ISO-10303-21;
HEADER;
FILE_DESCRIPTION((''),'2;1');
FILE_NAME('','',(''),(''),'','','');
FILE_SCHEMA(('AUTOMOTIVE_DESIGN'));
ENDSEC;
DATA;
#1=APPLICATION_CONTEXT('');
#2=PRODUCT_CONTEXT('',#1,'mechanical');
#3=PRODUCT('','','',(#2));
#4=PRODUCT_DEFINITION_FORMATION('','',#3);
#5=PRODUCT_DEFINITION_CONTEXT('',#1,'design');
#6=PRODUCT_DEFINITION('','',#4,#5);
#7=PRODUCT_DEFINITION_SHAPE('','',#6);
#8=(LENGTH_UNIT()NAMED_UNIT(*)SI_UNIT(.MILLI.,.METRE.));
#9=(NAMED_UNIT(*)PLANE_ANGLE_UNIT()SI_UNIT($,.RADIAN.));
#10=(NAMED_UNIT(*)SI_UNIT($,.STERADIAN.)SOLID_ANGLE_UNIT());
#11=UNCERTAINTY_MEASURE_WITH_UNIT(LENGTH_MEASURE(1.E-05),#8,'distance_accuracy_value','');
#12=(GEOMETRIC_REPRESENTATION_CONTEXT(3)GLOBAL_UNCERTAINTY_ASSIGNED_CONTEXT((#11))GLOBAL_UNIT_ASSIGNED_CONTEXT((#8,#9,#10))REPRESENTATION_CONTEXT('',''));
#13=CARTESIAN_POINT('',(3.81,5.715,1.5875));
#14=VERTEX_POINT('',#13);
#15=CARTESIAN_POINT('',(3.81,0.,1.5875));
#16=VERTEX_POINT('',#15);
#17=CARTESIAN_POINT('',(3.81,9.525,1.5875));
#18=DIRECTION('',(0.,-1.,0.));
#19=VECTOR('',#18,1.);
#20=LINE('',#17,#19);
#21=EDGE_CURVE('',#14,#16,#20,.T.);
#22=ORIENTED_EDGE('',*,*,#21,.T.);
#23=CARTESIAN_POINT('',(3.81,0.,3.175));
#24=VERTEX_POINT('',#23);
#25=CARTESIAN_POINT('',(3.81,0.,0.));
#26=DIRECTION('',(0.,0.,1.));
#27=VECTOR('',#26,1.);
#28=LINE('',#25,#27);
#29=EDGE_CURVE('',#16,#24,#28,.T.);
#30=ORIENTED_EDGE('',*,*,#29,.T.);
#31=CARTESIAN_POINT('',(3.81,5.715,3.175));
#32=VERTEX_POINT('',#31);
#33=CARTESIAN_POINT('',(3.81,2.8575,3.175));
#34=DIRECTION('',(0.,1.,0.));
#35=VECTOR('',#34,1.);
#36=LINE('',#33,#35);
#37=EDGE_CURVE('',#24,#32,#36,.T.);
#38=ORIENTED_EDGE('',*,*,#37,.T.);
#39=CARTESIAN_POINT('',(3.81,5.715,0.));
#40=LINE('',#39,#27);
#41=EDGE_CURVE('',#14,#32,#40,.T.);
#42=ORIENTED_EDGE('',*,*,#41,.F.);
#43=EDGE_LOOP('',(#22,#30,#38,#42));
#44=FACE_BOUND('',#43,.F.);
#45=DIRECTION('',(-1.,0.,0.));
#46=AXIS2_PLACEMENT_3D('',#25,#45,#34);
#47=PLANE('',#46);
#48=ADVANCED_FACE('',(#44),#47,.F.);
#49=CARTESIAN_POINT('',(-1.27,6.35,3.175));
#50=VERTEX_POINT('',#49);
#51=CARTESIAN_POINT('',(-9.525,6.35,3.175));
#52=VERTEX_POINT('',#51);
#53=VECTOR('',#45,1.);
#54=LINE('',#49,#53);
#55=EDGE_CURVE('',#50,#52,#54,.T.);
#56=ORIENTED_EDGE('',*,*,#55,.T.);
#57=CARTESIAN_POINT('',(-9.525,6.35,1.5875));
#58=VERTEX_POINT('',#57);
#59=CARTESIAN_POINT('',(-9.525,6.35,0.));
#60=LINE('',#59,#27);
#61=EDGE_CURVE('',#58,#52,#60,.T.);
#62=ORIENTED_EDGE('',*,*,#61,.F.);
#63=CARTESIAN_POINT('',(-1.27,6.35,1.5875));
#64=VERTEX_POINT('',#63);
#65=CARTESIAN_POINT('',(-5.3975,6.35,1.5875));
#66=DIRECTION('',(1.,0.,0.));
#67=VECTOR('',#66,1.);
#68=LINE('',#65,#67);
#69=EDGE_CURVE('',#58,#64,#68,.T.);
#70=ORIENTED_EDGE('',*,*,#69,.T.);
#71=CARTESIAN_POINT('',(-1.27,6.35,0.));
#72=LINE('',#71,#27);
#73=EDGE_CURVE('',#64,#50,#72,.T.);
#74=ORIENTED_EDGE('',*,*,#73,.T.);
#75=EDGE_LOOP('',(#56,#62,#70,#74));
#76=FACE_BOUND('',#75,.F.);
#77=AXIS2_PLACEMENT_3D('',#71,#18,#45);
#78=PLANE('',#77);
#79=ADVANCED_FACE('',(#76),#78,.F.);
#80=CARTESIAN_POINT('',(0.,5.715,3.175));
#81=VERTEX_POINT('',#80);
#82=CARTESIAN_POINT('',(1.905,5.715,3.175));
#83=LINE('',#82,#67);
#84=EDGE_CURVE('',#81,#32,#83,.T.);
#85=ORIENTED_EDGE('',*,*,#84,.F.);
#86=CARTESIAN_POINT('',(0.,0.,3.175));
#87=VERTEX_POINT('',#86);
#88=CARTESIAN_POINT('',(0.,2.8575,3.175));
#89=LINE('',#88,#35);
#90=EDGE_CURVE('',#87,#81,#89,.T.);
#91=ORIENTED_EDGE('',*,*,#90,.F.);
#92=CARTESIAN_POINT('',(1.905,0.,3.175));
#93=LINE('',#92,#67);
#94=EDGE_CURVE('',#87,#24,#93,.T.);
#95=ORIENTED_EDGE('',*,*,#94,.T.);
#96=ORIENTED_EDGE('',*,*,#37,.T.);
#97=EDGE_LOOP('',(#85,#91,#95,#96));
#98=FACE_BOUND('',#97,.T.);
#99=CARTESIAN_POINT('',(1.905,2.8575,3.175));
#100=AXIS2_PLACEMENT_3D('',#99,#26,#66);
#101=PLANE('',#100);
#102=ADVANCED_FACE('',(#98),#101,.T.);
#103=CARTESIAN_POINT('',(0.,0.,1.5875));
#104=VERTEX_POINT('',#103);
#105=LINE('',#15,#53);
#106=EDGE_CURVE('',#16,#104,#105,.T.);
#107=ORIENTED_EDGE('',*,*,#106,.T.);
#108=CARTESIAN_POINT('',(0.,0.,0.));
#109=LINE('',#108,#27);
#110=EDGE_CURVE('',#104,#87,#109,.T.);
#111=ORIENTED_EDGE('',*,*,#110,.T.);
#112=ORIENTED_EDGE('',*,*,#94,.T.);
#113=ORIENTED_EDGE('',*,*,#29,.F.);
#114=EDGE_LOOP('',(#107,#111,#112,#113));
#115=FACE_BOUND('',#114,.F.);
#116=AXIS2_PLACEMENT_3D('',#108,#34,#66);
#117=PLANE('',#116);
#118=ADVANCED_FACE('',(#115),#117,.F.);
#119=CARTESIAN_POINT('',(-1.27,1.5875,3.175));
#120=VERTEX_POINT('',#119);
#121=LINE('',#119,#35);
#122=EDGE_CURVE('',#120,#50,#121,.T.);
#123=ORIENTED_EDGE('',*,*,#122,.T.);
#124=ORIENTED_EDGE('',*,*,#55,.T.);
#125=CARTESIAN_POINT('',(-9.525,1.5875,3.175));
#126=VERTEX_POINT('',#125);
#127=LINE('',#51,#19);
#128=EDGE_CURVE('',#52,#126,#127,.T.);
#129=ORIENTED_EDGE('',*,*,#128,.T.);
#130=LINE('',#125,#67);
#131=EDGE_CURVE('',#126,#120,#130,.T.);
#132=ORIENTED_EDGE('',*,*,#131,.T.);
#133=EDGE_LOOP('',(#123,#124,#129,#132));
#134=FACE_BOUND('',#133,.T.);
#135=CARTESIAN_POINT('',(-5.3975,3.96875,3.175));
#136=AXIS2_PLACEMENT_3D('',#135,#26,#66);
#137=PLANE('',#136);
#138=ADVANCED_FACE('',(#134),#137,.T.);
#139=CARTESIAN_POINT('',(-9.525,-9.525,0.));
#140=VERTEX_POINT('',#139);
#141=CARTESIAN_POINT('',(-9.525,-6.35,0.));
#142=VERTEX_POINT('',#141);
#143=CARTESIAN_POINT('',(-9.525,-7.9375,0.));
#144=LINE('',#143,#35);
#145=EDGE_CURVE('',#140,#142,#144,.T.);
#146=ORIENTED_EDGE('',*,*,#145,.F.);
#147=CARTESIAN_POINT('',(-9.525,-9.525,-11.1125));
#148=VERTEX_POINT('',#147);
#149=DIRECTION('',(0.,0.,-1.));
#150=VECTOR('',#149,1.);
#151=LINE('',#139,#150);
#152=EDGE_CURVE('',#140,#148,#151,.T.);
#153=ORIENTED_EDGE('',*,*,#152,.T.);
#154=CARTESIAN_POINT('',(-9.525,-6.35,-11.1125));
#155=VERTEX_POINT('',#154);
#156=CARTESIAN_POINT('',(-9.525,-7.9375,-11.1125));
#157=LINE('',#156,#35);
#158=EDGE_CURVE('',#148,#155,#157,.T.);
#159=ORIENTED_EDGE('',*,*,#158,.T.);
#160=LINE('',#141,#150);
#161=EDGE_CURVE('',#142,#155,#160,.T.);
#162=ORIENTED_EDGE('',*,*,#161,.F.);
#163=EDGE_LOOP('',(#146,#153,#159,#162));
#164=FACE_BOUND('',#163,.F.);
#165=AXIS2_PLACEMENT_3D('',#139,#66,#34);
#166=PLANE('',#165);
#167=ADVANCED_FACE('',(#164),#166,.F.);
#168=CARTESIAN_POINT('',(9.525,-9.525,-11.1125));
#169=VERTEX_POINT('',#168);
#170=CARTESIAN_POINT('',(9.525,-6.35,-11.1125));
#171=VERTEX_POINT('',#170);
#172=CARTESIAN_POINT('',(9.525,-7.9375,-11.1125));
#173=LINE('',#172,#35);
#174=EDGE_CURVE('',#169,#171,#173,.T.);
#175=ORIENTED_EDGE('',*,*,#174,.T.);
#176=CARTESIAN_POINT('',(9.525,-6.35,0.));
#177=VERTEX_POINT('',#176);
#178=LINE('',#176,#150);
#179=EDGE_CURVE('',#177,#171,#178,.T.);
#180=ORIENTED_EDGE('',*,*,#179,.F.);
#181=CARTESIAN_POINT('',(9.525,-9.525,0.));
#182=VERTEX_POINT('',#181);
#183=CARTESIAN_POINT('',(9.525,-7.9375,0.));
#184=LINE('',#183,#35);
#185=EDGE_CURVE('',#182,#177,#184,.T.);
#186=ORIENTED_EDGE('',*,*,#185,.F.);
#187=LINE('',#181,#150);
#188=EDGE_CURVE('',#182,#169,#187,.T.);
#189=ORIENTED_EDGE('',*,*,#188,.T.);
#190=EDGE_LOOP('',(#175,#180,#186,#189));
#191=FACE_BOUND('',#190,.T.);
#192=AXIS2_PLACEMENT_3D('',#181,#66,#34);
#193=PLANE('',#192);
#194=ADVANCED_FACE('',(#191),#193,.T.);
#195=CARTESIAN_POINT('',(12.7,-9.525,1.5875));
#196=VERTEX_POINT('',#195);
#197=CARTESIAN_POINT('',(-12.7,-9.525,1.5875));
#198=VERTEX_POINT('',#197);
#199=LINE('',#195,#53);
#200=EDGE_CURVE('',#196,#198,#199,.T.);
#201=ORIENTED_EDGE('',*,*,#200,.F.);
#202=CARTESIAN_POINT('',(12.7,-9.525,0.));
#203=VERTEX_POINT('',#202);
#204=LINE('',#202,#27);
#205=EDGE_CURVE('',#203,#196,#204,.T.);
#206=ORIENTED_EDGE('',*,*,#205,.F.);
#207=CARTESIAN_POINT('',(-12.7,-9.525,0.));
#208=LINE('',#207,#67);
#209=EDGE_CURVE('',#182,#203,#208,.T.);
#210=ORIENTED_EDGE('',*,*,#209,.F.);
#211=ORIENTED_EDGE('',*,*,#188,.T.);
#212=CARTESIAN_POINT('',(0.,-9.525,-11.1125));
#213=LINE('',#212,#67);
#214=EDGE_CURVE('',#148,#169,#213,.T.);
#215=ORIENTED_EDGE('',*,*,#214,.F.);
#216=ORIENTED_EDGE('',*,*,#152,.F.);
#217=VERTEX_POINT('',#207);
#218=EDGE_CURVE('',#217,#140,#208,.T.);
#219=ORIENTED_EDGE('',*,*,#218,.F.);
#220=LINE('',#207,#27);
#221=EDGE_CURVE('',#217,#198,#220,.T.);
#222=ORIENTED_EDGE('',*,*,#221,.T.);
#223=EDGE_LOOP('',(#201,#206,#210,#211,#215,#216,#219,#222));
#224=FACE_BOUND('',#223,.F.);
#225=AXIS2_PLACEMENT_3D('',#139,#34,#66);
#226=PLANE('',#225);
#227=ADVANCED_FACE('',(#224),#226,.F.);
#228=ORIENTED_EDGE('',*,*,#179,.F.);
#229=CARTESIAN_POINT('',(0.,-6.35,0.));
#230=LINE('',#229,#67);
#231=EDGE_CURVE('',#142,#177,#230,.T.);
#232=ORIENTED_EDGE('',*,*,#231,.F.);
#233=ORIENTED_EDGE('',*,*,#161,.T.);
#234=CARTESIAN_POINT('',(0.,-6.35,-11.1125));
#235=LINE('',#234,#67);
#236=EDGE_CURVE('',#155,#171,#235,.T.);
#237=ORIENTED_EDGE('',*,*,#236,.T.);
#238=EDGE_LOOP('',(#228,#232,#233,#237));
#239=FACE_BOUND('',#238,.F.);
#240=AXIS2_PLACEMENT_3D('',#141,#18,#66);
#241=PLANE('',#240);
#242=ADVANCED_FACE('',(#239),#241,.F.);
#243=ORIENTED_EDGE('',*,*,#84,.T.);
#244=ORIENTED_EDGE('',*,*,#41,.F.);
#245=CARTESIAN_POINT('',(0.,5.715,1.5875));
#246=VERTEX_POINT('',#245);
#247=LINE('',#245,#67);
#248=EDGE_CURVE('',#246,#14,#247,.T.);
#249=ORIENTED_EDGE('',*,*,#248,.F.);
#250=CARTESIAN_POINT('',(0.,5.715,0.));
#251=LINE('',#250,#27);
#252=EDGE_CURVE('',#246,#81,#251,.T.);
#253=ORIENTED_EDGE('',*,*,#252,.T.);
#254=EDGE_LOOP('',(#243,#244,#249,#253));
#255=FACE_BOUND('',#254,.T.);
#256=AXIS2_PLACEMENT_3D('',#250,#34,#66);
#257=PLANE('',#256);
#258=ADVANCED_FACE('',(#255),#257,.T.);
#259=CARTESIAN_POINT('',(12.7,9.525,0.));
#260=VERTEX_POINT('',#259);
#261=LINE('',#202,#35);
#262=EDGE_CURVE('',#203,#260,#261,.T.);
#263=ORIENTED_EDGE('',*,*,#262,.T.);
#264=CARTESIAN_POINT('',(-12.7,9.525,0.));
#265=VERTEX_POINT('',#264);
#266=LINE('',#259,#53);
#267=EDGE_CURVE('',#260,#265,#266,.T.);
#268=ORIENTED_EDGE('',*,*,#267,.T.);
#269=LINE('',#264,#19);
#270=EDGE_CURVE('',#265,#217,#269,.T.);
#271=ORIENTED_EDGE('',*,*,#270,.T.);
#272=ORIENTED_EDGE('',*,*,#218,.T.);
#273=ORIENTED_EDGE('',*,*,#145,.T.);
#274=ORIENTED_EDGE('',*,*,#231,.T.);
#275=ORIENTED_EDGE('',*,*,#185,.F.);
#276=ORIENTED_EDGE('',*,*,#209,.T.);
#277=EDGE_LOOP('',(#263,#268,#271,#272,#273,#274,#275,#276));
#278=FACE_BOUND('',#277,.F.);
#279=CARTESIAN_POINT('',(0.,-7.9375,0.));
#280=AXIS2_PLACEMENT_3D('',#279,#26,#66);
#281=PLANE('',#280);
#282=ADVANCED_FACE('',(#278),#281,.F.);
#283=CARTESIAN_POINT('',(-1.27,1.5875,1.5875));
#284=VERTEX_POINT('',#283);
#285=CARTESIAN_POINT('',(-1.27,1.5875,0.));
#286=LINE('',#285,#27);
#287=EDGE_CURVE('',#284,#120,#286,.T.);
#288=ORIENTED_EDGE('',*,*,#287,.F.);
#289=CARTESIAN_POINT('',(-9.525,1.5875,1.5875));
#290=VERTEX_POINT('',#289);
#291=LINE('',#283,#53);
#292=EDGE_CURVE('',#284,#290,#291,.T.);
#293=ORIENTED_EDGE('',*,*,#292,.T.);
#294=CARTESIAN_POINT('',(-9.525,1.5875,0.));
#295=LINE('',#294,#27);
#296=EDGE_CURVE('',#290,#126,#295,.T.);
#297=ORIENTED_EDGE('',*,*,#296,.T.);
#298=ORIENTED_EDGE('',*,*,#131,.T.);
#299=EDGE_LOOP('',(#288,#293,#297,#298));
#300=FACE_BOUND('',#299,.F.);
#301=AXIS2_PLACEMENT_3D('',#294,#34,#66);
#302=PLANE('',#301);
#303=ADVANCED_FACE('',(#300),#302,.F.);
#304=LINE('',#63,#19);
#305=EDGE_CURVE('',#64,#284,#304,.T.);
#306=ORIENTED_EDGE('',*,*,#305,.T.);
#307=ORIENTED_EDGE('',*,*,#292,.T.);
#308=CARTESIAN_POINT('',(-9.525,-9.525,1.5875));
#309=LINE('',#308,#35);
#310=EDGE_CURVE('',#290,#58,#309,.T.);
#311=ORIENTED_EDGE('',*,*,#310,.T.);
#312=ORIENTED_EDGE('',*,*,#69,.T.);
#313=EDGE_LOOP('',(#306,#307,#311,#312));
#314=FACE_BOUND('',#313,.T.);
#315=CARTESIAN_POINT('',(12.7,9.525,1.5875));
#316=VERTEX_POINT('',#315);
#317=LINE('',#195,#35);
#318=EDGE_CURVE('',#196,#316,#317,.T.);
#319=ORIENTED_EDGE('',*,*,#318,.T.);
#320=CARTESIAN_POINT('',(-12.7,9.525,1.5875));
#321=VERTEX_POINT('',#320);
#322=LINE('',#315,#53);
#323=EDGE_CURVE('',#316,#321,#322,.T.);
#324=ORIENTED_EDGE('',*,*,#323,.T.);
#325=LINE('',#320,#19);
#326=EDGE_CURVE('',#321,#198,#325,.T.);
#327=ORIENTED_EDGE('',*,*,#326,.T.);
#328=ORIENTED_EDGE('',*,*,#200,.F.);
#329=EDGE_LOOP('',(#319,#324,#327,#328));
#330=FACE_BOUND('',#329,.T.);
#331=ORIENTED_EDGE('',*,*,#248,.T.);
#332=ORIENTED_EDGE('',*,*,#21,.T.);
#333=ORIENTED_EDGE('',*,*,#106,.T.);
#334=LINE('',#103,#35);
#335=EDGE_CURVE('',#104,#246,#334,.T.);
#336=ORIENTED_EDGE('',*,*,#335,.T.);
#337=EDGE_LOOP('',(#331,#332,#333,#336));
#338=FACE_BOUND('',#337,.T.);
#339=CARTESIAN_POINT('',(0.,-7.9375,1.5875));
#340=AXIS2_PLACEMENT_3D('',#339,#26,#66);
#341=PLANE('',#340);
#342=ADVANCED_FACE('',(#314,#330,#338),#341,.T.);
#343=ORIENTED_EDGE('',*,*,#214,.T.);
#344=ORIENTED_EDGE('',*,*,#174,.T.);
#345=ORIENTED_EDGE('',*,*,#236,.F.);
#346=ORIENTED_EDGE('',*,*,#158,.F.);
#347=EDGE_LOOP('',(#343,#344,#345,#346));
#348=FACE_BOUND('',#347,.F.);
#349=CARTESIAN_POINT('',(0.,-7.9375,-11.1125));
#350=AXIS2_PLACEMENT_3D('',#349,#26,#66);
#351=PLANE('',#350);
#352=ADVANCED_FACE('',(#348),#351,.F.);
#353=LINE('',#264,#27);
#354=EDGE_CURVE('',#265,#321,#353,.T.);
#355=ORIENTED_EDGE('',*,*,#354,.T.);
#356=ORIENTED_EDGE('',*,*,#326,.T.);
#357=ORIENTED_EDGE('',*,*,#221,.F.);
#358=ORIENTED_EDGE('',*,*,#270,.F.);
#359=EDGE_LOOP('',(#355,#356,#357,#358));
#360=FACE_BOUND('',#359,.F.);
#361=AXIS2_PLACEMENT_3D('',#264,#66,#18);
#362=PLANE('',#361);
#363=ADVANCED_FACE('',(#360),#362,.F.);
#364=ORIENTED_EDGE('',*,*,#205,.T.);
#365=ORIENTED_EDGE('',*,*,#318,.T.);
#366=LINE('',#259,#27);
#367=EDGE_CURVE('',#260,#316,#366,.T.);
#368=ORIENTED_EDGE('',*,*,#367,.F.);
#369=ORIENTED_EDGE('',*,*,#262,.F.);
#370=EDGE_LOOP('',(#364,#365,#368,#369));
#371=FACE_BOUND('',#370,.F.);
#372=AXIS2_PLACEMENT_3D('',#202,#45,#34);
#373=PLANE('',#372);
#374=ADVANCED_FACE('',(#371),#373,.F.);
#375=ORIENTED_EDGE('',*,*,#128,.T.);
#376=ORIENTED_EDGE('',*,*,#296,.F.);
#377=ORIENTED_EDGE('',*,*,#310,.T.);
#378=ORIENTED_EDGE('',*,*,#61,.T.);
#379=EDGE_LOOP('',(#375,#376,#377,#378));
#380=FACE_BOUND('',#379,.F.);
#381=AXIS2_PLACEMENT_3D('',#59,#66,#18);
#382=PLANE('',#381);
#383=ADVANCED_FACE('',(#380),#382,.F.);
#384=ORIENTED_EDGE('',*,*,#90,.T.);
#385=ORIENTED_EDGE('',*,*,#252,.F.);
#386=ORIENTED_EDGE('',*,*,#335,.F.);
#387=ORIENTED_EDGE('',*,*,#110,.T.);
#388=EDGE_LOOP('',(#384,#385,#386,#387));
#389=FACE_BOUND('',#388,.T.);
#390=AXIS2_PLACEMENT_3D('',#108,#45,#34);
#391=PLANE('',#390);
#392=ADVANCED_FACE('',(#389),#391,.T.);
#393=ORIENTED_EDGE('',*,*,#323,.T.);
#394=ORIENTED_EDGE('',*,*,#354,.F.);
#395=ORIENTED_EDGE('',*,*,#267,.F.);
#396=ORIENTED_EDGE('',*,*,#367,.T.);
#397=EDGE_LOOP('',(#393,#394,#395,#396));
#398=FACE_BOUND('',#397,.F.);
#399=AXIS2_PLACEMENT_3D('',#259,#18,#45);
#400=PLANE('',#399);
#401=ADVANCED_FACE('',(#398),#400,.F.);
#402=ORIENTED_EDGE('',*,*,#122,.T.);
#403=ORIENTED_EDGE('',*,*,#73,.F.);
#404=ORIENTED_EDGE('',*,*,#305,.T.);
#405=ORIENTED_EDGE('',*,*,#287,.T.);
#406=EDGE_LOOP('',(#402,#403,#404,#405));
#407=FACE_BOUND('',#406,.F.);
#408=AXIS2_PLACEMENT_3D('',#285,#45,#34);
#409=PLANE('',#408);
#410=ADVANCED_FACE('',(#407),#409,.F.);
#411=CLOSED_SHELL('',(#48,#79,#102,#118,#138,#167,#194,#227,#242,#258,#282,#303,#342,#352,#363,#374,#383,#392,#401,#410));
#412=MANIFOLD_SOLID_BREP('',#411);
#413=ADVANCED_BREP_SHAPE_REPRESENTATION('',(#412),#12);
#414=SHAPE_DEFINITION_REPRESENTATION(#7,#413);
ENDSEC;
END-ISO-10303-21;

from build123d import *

# Parameters (mm, degrees)
F0_W     = 3.175
F0_H     = 3.175
F0_W_2   = 8.255
F0_H_2   = 15.875
F1_DEPTH = 1.5875
F0_W_3   = 3.81
F0_H_3   = 5.715
F2_DEPTH = 3.175
F0_W_4   = 19.05
F3_DEPTH = 1.5875
F4_DEPTH = 11.1125


with BuildPart() as f1:
    # F0 (on Top) → F1 (new body)
    with BuildSketch(Plane.XY):
        with Locations((-11.1125, -7.9375)):
            Rectangle(F0_W, F0_H)
        Polygon((-12.7, -6.35), (-9.525, -6.35), (-9.525, 1.5875), (-9.525, 6.35), (-9.525, 9.525), (-12.7, 9.525), align=None)
        Polygon((9.525, -6.35), (9.525, 9.525), (3.81, 9.525), (3.81, 5.715), (3.81, 0), (0, 0), (0, 5.715), (-1.27, 5.715), (-1.27, 1.5875), (-9.525, 1.5875), (-9.525, -6.35), align=None)
        with Locations((-5.3975, 7.9375)):
            Rectangle(F0_W_2, F0_H)
        Polygon((3.81, 5.715), (3.81, 9.525), (-1.27, 9.525), (-1.27, 6.35), (-1.27, 5.715), (0, 5.715), align=None)
        with Locations((11.1125, 1.5875)):
            Rectangle(F0_W, F0_H_2)
        with Locations((11.1125, -7.9375)):
            Rectangle(F0_W, F0_H)
    extrude(amount=F1_DEPTH)

    # F0 (on Top) → F2 (join)
    with BuildSketch(Plane.XY):
        Polygon((-1.27, 5.715), (-1.27, 6.35), (-9.525, 6.35), (-9.525, 1.5875), (-1.27, 1.5875), align=None)
        with Locations((1.905, 2.8575)):
            Rectangle(F0_W_3, F0_H_3)
    extrude(amount=F2_DEPTH)

    # F0 (on Top) → F3 (join)
    with BuildSketch(Plane.XY):
        with Locations((0, -7.9375)):
            Rectangle(F0_W_4, F0_H)
    extrude(amount=F3_DEPTH)

    # F0 (on Top) → F4 (join)
    with BuildSketch(Plane.XY):
        with Locations((0, -7.9375)):
            Rectangle(F0_W_4, F0_H)
    extrude(amount=-F4_DEPTH)


solid = f1.part
